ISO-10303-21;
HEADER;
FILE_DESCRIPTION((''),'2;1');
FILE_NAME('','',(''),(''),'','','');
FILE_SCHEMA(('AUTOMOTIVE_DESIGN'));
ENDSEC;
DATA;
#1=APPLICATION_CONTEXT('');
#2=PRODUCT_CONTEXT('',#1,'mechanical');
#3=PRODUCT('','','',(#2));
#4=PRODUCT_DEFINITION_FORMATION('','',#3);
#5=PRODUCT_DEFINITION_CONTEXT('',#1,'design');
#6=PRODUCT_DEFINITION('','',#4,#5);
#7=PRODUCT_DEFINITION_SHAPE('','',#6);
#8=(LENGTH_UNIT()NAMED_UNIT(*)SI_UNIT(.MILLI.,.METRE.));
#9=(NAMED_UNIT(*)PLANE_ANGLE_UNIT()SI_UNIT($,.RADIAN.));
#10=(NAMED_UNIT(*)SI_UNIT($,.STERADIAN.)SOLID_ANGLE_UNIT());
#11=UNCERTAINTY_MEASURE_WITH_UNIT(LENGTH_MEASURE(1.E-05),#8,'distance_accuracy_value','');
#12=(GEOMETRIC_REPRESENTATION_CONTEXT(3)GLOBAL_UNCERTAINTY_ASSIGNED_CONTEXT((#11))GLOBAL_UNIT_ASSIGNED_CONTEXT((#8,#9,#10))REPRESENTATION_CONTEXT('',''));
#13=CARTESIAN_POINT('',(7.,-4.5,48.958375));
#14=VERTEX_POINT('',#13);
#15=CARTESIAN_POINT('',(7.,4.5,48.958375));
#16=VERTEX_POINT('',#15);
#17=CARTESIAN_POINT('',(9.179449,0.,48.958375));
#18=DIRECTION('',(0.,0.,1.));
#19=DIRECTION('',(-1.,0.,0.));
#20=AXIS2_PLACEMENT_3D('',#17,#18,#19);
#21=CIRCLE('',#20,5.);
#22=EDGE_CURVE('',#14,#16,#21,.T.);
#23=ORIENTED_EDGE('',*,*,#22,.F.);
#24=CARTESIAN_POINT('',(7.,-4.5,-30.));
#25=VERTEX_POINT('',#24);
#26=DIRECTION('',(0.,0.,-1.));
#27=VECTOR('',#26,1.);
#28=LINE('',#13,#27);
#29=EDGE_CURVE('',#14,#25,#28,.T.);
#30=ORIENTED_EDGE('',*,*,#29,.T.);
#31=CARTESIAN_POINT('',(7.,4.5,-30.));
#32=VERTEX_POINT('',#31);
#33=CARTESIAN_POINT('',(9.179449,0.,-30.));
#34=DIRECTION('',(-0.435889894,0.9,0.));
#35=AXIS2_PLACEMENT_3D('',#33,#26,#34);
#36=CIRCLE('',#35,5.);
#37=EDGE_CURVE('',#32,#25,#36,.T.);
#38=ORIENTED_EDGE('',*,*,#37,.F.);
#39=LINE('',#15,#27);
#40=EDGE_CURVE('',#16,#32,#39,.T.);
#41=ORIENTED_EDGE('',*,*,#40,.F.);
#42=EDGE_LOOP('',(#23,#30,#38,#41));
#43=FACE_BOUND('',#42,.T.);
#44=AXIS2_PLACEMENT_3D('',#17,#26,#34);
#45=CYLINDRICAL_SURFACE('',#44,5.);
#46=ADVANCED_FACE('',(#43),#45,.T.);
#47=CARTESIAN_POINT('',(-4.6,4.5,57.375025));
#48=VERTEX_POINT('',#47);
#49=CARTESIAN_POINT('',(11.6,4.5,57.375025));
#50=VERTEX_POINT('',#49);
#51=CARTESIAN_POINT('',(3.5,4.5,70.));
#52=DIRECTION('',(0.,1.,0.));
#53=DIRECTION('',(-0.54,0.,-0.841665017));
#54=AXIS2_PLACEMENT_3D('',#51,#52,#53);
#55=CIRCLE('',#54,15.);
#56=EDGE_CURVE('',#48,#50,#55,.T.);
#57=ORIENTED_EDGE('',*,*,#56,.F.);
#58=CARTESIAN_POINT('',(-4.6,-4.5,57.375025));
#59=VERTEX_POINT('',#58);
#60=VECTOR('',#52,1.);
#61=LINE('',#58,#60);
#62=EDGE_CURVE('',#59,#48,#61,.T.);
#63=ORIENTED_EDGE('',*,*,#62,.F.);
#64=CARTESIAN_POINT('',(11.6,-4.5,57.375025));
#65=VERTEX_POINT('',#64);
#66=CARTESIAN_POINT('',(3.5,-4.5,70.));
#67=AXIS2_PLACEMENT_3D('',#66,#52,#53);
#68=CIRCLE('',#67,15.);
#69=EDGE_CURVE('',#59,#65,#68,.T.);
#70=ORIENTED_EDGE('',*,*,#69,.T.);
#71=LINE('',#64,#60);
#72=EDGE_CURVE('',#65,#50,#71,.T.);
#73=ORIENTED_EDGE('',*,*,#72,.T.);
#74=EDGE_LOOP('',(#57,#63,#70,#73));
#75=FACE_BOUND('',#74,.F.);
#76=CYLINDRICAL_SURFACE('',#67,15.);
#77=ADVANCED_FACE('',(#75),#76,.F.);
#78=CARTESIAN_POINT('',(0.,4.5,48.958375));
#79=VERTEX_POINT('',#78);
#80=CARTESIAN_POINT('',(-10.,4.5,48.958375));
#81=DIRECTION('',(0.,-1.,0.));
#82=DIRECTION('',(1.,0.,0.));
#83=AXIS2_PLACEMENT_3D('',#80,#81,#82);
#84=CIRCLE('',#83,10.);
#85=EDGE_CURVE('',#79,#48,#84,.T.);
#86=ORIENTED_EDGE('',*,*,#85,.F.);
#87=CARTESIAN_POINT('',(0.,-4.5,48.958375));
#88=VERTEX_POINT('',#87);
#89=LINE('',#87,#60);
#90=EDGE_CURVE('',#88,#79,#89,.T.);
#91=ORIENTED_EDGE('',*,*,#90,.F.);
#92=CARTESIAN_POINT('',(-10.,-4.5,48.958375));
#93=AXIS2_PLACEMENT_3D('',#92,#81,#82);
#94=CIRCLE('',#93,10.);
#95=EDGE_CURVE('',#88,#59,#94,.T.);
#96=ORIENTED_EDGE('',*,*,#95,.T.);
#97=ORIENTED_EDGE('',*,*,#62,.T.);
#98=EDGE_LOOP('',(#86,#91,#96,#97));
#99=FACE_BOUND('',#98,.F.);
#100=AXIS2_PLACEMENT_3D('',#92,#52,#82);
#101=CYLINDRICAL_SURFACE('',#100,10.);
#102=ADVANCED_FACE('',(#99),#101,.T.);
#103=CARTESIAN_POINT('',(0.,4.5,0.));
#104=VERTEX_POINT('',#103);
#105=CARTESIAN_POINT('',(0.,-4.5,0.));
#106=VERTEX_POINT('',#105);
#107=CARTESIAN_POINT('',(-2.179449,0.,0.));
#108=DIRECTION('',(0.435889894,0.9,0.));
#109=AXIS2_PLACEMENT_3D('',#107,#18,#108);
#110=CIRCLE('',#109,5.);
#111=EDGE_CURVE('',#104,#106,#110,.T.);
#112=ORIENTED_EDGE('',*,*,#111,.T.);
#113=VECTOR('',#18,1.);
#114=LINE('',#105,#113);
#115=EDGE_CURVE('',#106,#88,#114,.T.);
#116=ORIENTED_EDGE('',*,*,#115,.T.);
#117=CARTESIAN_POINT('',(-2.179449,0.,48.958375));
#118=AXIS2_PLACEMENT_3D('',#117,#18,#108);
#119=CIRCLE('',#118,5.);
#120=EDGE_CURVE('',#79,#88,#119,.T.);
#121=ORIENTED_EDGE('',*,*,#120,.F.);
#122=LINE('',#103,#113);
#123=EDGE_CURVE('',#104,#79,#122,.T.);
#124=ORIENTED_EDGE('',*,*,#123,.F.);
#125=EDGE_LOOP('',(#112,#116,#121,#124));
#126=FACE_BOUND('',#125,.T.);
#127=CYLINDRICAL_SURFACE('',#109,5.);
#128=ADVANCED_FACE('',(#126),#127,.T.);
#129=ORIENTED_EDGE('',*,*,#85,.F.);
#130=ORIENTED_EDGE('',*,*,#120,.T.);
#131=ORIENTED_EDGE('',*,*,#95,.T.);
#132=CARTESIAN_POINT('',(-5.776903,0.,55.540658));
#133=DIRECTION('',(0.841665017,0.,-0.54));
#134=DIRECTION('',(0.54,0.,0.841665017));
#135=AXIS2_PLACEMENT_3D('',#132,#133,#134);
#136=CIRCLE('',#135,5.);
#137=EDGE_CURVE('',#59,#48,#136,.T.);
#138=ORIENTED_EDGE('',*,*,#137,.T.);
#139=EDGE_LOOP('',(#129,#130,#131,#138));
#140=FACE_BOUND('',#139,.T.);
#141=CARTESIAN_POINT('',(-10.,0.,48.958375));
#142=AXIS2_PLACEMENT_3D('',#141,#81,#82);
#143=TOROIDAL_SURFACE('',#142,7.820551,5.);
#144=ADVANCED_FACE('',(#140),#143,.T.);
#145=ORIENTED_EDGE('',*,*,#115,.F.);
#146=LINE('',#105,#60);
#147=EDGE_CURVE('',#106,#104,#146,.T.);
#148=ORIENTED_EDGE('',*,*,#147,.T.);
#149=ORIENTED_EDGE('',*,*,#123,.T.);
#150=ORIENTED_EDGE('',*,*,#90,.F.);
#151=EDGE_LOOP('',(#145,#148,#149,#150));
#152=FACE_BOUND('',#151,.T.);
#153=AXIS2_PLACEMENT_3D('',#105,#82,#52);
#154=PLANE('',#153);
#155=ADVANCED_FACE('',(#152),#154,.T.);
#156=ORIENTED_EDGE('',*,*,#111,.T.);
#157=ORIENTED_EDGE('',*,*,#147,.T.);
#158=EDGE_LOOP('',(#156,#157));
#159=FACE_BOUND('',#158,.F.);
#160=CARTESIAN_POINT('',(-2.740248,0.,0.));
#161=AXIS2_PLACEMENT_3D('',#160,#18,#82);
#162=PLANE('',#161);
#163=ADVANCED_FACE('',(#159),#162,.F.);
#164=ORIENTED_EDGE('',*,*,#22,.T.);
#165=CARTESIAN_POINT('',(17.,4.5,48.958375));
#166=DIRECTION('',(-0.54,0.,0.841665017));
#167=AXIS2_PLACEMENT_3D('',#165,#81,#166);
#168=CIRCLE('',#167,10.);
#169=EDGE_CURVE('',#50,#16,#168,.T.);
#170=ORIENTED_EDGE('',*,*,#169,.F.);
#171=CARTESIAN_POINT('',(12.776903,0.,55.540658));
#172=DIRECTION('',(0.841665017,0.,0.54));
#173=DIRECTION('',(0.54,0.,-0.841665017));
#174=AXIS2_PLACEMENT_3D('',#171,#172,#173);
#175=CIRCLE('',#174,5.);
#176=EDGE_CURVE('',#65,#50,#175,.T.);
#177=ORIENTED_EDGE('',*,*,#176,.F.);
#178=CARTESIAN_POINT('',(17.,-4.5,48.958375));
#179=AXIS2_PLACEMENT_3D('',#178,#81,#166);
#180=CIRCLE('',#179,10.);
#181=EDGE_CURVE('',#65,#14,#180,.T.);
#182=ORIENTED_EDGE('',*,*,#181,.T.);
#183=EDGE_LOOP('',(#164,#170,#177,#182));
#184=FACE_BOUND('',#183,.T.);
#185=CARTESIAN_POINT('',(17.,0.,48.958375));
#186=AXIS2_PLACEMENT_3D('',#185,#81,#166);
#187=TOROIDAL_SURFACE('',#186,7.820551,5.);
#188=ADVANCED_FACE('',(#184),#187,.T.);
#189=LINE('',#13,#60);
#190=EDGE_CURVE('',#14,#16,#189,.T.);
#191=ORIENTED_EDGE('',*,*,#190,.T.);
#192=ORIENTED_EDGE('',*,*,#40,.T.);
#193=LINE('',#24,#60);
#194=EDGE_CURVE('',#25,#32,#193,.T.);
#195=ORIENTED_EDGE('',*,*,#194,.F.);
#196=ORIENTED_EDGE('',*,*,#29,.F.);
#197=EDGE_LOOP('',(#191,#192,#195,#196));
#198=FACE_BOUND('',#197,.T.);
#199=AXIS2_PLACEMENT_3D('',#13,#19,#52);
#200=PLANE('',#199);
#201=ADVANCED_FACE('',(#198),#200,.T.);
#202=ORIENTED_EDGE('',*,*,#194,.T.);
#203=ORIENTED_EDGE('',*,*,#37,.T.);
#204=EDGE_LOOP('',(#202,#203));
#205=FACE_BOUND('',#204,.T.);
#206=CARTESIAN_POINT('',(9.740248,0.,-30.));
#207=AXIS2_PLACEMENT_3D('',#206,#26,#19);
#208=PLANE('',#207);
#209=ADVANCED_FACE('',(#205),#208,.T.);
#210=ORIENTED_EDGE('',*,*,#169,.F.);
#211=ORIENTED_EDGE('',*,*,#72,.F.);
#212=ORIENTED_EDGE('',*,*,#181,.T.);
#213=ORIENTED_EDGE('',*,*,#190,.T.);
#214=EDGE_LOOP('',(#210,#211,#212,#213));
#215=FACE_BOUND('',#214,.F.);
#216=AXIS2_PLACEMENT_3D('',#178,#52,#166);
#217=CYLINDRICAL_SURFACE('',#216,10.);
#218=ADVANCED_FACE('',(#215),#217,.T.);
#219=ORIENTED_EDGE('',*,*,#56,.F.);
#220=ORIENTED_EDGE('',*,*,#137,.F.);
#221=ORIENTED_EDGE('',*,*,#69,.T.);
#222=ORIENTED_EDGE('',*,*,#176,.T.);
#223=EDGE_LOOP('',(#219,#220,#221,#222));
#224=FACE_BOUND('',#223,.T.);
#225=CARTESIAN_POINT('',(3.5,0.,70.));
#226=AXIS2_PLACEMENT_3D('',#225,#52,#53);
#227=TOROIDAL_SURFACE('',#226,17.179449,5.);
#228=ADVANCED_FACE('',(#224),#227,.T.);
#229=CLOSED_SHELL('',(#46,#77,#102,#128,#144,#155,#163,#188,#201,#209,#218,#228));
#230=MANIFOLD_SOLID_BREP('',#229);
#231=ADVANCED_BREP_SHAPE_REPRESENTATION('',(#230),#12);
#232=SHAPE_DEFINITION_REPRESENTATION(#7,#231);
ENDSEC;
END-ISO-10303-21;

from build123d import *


with BuildPart() as f2:
    # F2: sweep along a path in F1
    with BuildLine(Plane.XZ) as f2_path:
        Line((0, 0), (0, 48.9583745875))
        ThreePointArc((0, 48.9583745875), (-1.2250356126, 53.7542061108), (-4.6, 57.3750247525))
        ThreePointArc((-4.6, 57.3750247525), (3.5, 85), (11.6, 57.3750247525))
        ThreePointArc((11.6, 57.3750247525), (8.2250356126, 53.7542061108), (7, 48.9583745875))
        Line((7, 48.9583745875), (7, -30))
    # F0 (on Top) → F2 (sweep)
    with BuildSketch(Plane.XY):
        with BuildLine():
            Line((0, -4.5), (0, 4.5))
            ThreePointArc((0, 4.5), (-7.1794494718, 0), (0, -4.5))
        make_face()
    sweep(path=f2_path.line)


solid = f2.part
